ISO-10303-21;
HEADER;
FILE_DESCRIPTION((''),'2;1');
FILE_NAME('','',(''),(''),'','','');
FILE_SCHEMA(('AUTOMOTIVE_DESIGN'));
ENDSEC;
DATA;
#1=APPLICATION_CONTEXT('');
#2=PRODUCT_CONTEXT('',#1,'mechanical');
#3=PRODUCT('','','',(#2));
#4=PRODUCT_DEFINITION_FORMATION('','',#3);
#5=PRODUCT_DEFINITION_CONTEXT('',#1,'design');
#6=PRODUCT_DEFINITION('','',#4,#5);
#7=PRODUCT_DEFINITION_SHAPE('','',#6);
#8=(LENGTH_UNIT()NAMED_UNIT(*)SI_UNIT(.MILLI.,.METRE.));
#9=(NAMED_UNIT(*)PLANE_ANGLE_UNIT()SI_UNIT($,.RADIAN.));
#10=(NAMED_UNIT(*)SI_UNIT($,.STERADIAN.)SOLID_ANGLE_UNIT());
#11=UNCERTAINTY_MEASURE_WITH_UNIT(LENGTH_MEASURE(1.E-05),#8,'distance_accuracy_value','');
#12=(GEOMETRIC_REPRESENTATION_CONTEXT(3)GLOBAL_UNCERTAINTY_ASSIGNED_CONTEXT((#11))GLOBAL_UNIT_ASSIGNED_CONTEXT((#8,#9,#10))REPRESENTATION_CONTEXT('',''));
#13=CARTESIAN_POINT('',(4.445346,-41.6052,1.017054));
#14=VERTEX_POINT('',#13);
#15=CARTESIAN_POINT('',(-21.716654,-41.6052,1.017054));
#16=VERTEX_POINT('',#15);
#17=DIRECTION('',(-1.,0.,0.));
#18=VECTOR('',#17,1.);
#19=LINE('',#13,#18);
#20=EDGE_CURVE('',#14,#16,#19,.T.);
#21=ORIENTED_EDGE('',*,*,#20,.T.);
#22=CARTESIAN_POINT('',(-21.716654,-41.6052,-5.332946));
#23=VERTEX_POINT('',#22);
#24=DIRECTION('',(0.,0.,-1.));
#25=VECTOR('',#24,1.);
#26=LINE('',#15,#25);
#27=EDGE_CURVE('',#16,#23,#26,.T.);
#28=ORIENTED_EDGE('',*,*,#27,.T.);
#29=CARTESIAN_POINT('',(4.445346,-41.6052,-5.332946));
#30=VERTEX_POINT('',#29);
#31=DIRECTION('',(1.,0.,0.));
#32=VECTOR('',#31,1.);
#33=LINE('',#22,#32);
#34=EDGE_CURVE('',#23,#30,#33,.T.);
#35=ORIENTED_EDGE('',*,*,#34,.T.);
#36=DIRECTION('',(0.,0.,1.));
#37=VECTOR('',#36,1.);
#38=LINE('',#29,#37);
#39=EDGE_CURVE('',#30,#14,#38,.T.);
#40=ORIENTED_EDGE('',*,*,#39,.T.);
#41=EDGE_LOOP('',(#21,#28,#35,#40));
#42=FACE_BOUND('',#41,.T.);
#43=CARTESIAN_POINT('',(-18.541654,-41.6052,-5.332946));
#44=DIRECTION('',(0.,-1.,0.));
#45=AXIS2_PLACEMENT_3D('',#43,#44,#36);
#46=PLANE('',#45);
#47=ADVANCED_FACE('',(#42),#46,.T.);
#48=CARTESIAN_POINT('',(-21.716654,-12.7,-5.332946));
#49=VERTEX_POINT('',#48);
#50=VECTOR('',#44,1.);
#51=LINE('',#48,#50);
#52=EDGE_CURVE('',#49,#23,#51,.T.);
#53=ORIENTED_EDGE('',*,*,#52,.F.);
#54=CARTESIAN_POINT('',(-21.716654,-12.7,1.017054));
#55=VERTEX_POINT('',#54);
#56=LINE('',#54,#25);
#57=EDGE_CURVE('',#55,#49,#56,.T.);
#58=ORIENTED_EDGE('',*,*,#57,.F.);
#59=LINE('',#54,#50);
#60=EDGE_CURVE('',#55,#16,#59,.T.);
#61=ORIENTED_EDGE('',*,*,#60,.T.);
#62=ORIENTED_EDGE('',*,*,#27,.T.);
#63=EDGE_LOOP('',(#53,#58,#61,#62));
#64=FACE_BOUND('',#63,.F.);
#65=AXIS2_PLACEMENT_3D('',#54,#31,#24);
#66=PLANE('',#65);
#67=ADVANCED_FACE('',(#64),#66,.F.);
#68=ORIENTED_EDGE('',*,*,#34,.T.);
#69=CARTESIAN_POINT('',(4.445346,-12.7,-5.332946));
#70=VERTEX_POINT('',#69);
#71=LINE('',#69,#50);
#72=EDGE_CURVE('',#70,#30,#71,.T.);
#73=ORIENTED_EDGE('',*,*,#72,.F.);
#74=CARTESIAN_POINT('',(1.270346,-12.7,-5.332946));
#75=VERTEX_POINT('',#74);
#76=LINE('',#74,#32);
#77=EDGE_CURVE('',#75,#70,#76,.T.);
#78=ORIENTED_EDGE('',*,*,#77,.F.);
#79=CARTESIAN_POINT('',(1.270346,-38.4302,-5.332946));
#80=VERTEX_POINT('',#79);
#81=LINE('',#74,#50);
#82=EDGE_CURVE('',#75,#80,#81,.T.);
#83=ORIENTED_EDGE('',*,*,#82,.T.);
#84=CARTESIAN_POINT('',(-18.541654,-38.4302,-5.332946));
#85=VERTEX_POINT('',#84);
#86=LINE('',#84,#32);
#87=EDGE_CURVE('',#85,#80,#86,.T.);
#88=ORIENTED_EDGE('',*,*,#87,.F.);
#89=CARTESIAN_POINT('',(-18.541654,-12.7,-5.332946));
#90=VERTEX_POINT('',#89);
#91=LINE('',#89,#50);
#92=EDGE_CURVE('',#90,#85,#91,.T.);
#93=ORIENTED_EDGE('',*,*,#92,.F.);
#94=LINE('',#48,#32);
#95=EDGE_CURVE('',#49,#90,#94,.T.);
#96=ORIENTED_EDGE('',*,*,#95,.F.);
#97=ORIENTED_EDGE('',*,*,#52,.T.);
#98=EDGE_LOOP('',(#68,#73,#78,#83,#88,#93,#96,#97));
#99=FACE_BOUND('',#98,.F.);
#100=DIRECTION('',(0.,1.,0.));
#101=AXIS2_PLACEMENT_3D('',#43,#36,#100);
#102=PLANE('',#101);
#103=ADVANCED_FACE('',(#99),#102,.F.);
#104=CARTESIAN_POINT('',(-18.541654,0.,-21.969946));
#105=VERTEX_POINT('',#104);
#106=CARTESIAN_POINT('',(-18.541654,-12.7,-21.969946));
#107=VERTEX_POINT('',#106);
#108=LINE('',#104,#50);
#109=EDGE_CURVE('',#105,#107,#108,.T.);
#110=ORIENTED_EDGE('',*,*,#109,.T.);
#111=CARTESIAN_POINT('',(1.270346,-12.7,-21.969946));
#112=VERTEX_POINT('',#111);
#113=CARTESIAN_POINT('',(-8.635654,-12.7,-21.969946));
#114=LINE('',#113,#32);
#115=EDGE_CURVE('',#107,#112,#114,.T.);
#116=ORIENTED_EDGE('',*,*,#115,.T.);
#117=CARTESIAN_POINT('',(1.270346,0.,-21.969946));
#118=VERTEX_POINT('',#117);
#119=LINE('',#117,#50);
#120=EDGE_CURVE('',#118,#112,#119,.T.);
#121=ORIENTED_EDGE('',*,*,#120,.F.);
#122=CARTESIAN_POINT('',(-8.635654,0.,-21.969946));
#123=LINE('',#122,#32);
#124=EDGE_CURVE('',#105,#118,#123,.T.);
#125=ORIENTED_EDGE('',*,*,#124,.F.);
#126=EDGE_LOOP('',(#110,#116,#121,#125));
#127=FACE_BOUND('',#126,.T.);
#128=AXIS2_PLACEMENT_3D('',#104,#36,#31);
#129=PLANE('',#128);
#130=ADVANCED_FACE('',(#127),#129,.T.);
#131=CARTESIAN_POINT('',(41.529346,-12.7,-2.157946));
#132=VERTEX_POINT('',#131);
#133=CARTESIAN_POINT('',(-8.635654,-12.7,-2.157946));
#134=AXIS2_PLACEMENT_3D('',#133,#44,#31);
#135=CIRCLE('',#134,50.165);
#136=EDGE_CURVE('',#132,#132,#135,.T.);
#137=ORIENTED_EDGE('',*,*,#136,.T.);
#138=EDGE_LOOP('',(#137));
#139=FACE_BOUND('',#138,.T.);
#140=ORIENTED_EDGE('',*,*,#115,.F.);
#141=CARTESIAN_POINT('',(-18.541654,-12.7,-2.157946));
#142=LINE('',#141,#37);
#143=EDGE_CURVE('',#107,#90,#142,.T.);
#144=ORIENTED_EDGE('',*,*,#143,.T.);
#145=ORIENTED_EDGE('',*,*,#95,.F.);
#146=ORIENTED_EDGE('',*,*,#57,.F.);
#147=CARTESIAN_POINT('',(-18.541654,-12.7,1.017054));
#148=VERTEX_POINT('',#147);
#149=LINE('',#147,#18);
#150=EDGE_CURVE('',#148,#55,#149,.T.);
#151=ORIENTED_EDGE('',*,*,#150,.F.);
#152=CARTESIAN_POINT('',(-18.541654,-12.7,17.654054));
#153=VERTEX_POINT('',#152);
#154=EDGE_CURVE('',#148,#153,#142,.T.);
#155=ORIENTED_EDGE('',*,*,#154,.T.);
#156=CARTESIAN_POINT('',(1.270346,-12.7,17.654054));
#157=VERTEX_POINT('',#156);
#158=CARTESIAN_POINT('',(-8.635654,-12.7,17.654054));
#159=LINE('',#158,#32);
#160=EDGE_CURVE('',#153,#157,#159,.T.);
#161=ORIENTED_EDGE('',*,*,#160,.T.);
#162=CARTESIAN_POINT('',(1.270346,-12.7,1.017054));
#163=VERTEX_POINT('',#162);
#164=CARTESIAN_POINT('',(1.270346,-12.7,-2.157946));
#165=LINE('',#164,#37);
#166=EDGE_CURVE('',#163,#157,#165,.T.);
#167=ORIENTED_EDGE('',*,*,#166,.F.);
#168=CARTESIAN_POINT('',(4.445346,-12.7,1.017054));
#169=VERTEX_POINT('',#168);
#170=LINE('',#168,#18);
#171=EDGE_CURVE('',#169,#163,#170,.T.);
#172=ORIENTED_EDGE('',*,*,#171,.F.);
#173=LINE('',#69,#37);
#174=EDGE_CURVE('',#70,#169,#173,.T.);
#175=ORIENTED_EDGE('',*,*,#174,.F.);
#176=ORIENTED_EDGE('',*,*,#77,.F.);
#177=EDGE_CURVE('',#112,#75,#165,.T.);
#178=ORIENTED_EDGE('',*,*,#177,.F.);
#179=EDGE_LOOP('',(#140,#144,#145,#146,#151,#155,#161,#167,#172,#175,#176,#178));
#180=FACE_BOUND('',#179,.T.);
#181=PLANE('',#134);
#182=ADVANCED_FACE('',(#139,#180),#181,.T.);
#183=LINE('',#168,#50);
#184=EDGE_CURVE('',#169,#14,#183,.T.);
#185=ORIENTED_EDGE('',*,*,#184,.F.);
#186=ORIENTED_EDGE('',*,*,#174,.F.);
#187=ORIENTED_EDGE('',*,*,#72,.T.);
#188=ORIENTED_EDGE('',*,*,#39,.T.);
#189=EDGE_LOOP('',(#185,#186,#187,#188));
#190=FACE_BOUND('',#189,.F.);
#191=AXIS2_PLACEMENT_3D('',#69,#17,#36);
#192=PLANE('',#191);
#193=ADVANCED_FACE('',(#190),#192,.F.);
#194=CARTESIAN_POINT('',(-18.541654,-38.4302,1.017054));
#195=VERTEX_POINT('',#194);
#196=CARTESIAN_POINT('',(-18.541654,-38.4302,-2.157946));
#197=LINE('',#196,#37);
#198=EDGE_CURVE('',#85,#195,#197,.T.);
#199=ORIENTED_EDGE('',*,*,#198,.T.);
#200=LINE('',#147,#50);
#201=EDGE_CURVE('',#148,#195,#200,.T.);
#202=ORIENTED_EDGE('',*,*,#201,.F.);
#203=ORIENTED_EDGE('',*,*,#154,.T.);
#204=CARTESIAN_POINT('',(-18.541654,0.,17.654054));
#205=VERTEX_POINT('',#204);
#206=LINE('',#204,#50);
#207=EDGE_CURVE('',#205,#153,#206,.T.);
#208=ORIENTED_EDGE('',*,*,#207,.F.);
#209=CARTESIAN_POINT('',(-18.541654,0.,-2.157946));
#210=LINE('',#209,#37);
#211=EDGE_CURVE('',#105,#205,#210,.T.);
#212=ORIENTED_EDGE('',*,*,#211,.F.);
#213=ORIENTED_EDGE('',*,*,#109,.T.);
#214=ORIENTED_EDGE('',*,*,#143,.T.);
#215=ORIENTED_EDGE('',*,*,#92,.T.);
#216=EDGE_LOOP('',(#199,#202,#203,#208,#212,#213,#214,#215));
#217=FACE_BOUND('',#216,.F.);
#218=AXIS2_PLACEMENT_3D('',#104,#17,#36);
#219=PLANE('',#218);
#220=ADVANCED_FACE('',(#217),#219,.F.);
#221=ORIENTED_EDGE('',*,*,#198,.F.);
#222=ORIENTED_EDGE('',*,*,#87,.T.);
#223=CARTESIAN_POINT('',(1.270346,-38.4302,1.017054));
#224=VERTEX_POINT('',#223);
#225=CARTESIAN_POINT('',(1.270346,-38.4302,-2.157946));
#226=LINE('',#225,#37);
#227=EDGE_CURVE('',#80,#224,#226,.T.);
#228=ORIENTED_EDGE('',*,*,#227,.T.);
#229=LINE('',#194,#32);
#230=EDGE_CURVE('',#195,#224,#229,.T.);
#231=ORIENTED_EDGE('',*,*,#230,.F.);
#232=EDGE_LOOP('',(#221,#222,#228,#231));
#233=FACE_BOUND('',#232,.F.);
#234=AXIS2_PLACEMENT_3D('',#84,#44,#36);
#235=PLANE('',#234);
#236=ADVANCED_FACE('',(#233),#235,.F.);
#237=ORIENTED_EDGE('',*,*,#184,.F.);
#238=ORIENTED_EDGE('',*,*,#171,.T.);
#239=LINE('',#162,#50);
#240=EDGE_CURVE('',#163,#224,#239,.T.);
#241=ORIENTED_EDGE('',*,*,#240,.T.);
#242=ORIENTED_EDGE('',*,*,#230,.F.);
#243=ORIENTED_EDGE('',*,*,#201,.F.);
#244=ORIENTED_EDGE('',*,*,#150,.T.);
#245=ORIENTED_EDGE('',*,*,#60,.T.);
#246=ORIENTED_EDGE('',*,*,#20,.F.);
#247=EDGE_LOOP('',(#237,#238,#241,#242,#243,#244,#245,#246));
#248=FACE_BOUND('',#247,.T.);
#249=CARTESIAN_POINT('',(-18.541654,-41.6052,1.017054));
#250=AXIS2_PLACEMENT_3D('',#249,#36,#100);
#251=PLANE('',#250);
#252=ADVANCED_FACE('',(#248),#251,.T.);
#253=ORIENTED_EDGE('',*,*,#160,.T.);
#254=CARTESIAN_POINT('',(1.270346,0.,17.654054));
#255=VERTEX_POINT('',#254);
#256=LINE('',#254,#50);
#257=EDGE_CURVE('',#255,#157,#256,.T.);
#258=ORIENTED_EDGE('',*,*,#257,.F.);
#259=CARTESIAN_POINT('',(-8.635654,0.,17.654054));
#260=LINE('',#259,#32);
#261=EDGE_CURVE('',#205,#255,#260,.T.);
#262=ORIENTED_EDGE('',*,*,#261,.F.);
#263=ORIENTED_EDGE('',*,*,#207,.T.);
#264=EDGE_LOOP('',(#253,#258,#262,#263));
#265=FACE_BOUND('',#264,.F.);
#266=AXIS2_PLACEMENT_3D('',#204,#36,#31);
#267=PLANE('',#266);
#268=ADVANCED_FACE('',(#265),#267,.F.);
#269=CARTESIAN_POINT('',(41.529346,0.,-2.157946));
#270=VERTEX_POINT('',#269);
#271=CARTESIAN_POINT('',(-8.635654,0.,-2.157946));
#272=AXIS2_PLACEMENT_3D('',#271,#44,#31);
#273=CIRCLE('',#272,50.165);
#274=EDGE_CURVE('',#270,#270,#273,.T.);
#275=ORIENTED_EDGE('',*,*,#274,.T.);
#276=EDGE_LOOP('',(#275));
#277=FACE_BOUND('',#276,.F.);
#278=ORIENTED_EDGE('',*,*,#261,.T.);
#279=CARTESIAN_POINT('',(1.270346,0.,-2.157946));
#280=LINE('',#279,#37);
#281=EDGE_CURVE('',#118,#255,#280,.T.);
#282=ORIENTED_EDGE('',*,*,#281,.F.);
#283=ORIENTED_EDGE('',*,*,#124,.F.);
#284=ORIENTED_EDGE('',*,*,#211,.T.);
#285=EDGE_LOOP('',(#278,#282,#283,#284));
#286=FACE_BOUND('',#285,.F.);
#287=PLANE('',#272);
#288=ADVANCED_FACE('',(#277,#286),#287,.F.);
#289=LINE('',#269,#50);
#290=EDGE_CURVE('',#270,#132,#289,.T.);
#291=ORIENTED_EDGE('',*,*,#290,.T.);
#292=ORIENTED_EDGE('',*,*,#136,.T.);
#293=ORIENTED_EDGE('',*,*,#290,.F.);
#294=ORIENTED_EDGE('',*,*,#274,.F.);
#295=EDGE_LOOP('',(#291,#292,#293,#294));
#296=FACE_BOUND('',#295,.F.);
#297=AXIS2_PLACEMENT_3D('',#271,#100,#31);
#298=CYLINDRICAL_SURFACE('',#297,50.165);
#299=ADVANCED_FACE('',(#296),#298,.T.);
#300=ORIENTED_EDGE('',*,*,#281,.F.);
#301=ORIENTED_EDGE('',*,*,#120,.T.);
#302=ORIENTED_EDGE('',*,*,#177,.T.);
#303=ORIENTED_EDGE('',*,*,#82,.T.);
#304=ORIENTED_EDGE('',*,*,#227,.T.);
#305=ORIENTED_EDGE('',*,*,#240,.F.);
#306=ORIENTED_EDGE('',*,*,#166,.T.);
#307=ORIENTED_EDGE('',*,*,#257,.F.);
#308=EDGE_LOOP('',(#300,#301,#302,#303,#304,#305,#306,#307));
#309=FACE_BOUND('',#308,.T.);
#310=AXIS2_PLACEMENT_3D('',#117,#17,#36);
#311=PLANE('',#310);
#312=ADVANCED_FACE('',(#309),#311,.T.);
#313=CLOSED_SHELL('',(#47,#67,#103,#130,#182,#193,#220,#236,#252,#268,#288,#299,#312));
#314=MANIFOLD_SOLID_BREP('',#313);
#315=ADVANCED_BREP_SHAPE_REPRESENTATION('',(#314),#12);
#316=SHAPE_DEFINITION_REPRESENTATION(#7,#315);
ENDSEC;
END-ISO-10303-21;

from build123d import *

# Parameters (mm, degrees)
F0_R     = 50.165
F0_W     = 19.812
F0_H     = 39.624
F1_DEPTH = 12.7
F3_DEPTH = 28.9052
F4_W     = 3.175
F4_H     = 6.35
F5_DEPTH = 19.812


with BuildPart() as f1:
    # F0 (on Front) → F1 (new body)
    with BuildSketch(Plane.XZ):
        with Locations((-8.635654, -2.157946)):
            Circle(F0_R)
        with Locations((-8.635654, -2.157946)):
            Rectangle(F0_W, F0_H, mode=Mode.SUBTRACT)
    extrude(amount=F1_DEPTH)

    # F2 (on face) → F3 (join)
    with BuildSketch(Plane.XZ.offset(12.7)):
        Polygon((-18.541654, -2.157946), (-18.541654, 1.017054), (-21.716654, 1.017054), (-21.716654, -2.157946), (-21.716654, -5.332946), (-18.541654, -5.332946), align=None)
        Polygon((4.445346, 1.017054), (1.270346, 1.017054), (1.270346, -2.157946), (1.270346, -5.332946), (4.445346, -5.332946), (4.445346, -2.157946), align=None)
    extrude(amount=F3_DEPTH)

    # F4 (on face) → F5 (join)
    with BuildSketch(Plane.YZ.offset(-18.541654)):
        with Locations((-40.0177, -2.157946)):
            Rectangle(F4_W, F4_H)
    extrude(amount=F5_DEPTH)


solid = f1.part
